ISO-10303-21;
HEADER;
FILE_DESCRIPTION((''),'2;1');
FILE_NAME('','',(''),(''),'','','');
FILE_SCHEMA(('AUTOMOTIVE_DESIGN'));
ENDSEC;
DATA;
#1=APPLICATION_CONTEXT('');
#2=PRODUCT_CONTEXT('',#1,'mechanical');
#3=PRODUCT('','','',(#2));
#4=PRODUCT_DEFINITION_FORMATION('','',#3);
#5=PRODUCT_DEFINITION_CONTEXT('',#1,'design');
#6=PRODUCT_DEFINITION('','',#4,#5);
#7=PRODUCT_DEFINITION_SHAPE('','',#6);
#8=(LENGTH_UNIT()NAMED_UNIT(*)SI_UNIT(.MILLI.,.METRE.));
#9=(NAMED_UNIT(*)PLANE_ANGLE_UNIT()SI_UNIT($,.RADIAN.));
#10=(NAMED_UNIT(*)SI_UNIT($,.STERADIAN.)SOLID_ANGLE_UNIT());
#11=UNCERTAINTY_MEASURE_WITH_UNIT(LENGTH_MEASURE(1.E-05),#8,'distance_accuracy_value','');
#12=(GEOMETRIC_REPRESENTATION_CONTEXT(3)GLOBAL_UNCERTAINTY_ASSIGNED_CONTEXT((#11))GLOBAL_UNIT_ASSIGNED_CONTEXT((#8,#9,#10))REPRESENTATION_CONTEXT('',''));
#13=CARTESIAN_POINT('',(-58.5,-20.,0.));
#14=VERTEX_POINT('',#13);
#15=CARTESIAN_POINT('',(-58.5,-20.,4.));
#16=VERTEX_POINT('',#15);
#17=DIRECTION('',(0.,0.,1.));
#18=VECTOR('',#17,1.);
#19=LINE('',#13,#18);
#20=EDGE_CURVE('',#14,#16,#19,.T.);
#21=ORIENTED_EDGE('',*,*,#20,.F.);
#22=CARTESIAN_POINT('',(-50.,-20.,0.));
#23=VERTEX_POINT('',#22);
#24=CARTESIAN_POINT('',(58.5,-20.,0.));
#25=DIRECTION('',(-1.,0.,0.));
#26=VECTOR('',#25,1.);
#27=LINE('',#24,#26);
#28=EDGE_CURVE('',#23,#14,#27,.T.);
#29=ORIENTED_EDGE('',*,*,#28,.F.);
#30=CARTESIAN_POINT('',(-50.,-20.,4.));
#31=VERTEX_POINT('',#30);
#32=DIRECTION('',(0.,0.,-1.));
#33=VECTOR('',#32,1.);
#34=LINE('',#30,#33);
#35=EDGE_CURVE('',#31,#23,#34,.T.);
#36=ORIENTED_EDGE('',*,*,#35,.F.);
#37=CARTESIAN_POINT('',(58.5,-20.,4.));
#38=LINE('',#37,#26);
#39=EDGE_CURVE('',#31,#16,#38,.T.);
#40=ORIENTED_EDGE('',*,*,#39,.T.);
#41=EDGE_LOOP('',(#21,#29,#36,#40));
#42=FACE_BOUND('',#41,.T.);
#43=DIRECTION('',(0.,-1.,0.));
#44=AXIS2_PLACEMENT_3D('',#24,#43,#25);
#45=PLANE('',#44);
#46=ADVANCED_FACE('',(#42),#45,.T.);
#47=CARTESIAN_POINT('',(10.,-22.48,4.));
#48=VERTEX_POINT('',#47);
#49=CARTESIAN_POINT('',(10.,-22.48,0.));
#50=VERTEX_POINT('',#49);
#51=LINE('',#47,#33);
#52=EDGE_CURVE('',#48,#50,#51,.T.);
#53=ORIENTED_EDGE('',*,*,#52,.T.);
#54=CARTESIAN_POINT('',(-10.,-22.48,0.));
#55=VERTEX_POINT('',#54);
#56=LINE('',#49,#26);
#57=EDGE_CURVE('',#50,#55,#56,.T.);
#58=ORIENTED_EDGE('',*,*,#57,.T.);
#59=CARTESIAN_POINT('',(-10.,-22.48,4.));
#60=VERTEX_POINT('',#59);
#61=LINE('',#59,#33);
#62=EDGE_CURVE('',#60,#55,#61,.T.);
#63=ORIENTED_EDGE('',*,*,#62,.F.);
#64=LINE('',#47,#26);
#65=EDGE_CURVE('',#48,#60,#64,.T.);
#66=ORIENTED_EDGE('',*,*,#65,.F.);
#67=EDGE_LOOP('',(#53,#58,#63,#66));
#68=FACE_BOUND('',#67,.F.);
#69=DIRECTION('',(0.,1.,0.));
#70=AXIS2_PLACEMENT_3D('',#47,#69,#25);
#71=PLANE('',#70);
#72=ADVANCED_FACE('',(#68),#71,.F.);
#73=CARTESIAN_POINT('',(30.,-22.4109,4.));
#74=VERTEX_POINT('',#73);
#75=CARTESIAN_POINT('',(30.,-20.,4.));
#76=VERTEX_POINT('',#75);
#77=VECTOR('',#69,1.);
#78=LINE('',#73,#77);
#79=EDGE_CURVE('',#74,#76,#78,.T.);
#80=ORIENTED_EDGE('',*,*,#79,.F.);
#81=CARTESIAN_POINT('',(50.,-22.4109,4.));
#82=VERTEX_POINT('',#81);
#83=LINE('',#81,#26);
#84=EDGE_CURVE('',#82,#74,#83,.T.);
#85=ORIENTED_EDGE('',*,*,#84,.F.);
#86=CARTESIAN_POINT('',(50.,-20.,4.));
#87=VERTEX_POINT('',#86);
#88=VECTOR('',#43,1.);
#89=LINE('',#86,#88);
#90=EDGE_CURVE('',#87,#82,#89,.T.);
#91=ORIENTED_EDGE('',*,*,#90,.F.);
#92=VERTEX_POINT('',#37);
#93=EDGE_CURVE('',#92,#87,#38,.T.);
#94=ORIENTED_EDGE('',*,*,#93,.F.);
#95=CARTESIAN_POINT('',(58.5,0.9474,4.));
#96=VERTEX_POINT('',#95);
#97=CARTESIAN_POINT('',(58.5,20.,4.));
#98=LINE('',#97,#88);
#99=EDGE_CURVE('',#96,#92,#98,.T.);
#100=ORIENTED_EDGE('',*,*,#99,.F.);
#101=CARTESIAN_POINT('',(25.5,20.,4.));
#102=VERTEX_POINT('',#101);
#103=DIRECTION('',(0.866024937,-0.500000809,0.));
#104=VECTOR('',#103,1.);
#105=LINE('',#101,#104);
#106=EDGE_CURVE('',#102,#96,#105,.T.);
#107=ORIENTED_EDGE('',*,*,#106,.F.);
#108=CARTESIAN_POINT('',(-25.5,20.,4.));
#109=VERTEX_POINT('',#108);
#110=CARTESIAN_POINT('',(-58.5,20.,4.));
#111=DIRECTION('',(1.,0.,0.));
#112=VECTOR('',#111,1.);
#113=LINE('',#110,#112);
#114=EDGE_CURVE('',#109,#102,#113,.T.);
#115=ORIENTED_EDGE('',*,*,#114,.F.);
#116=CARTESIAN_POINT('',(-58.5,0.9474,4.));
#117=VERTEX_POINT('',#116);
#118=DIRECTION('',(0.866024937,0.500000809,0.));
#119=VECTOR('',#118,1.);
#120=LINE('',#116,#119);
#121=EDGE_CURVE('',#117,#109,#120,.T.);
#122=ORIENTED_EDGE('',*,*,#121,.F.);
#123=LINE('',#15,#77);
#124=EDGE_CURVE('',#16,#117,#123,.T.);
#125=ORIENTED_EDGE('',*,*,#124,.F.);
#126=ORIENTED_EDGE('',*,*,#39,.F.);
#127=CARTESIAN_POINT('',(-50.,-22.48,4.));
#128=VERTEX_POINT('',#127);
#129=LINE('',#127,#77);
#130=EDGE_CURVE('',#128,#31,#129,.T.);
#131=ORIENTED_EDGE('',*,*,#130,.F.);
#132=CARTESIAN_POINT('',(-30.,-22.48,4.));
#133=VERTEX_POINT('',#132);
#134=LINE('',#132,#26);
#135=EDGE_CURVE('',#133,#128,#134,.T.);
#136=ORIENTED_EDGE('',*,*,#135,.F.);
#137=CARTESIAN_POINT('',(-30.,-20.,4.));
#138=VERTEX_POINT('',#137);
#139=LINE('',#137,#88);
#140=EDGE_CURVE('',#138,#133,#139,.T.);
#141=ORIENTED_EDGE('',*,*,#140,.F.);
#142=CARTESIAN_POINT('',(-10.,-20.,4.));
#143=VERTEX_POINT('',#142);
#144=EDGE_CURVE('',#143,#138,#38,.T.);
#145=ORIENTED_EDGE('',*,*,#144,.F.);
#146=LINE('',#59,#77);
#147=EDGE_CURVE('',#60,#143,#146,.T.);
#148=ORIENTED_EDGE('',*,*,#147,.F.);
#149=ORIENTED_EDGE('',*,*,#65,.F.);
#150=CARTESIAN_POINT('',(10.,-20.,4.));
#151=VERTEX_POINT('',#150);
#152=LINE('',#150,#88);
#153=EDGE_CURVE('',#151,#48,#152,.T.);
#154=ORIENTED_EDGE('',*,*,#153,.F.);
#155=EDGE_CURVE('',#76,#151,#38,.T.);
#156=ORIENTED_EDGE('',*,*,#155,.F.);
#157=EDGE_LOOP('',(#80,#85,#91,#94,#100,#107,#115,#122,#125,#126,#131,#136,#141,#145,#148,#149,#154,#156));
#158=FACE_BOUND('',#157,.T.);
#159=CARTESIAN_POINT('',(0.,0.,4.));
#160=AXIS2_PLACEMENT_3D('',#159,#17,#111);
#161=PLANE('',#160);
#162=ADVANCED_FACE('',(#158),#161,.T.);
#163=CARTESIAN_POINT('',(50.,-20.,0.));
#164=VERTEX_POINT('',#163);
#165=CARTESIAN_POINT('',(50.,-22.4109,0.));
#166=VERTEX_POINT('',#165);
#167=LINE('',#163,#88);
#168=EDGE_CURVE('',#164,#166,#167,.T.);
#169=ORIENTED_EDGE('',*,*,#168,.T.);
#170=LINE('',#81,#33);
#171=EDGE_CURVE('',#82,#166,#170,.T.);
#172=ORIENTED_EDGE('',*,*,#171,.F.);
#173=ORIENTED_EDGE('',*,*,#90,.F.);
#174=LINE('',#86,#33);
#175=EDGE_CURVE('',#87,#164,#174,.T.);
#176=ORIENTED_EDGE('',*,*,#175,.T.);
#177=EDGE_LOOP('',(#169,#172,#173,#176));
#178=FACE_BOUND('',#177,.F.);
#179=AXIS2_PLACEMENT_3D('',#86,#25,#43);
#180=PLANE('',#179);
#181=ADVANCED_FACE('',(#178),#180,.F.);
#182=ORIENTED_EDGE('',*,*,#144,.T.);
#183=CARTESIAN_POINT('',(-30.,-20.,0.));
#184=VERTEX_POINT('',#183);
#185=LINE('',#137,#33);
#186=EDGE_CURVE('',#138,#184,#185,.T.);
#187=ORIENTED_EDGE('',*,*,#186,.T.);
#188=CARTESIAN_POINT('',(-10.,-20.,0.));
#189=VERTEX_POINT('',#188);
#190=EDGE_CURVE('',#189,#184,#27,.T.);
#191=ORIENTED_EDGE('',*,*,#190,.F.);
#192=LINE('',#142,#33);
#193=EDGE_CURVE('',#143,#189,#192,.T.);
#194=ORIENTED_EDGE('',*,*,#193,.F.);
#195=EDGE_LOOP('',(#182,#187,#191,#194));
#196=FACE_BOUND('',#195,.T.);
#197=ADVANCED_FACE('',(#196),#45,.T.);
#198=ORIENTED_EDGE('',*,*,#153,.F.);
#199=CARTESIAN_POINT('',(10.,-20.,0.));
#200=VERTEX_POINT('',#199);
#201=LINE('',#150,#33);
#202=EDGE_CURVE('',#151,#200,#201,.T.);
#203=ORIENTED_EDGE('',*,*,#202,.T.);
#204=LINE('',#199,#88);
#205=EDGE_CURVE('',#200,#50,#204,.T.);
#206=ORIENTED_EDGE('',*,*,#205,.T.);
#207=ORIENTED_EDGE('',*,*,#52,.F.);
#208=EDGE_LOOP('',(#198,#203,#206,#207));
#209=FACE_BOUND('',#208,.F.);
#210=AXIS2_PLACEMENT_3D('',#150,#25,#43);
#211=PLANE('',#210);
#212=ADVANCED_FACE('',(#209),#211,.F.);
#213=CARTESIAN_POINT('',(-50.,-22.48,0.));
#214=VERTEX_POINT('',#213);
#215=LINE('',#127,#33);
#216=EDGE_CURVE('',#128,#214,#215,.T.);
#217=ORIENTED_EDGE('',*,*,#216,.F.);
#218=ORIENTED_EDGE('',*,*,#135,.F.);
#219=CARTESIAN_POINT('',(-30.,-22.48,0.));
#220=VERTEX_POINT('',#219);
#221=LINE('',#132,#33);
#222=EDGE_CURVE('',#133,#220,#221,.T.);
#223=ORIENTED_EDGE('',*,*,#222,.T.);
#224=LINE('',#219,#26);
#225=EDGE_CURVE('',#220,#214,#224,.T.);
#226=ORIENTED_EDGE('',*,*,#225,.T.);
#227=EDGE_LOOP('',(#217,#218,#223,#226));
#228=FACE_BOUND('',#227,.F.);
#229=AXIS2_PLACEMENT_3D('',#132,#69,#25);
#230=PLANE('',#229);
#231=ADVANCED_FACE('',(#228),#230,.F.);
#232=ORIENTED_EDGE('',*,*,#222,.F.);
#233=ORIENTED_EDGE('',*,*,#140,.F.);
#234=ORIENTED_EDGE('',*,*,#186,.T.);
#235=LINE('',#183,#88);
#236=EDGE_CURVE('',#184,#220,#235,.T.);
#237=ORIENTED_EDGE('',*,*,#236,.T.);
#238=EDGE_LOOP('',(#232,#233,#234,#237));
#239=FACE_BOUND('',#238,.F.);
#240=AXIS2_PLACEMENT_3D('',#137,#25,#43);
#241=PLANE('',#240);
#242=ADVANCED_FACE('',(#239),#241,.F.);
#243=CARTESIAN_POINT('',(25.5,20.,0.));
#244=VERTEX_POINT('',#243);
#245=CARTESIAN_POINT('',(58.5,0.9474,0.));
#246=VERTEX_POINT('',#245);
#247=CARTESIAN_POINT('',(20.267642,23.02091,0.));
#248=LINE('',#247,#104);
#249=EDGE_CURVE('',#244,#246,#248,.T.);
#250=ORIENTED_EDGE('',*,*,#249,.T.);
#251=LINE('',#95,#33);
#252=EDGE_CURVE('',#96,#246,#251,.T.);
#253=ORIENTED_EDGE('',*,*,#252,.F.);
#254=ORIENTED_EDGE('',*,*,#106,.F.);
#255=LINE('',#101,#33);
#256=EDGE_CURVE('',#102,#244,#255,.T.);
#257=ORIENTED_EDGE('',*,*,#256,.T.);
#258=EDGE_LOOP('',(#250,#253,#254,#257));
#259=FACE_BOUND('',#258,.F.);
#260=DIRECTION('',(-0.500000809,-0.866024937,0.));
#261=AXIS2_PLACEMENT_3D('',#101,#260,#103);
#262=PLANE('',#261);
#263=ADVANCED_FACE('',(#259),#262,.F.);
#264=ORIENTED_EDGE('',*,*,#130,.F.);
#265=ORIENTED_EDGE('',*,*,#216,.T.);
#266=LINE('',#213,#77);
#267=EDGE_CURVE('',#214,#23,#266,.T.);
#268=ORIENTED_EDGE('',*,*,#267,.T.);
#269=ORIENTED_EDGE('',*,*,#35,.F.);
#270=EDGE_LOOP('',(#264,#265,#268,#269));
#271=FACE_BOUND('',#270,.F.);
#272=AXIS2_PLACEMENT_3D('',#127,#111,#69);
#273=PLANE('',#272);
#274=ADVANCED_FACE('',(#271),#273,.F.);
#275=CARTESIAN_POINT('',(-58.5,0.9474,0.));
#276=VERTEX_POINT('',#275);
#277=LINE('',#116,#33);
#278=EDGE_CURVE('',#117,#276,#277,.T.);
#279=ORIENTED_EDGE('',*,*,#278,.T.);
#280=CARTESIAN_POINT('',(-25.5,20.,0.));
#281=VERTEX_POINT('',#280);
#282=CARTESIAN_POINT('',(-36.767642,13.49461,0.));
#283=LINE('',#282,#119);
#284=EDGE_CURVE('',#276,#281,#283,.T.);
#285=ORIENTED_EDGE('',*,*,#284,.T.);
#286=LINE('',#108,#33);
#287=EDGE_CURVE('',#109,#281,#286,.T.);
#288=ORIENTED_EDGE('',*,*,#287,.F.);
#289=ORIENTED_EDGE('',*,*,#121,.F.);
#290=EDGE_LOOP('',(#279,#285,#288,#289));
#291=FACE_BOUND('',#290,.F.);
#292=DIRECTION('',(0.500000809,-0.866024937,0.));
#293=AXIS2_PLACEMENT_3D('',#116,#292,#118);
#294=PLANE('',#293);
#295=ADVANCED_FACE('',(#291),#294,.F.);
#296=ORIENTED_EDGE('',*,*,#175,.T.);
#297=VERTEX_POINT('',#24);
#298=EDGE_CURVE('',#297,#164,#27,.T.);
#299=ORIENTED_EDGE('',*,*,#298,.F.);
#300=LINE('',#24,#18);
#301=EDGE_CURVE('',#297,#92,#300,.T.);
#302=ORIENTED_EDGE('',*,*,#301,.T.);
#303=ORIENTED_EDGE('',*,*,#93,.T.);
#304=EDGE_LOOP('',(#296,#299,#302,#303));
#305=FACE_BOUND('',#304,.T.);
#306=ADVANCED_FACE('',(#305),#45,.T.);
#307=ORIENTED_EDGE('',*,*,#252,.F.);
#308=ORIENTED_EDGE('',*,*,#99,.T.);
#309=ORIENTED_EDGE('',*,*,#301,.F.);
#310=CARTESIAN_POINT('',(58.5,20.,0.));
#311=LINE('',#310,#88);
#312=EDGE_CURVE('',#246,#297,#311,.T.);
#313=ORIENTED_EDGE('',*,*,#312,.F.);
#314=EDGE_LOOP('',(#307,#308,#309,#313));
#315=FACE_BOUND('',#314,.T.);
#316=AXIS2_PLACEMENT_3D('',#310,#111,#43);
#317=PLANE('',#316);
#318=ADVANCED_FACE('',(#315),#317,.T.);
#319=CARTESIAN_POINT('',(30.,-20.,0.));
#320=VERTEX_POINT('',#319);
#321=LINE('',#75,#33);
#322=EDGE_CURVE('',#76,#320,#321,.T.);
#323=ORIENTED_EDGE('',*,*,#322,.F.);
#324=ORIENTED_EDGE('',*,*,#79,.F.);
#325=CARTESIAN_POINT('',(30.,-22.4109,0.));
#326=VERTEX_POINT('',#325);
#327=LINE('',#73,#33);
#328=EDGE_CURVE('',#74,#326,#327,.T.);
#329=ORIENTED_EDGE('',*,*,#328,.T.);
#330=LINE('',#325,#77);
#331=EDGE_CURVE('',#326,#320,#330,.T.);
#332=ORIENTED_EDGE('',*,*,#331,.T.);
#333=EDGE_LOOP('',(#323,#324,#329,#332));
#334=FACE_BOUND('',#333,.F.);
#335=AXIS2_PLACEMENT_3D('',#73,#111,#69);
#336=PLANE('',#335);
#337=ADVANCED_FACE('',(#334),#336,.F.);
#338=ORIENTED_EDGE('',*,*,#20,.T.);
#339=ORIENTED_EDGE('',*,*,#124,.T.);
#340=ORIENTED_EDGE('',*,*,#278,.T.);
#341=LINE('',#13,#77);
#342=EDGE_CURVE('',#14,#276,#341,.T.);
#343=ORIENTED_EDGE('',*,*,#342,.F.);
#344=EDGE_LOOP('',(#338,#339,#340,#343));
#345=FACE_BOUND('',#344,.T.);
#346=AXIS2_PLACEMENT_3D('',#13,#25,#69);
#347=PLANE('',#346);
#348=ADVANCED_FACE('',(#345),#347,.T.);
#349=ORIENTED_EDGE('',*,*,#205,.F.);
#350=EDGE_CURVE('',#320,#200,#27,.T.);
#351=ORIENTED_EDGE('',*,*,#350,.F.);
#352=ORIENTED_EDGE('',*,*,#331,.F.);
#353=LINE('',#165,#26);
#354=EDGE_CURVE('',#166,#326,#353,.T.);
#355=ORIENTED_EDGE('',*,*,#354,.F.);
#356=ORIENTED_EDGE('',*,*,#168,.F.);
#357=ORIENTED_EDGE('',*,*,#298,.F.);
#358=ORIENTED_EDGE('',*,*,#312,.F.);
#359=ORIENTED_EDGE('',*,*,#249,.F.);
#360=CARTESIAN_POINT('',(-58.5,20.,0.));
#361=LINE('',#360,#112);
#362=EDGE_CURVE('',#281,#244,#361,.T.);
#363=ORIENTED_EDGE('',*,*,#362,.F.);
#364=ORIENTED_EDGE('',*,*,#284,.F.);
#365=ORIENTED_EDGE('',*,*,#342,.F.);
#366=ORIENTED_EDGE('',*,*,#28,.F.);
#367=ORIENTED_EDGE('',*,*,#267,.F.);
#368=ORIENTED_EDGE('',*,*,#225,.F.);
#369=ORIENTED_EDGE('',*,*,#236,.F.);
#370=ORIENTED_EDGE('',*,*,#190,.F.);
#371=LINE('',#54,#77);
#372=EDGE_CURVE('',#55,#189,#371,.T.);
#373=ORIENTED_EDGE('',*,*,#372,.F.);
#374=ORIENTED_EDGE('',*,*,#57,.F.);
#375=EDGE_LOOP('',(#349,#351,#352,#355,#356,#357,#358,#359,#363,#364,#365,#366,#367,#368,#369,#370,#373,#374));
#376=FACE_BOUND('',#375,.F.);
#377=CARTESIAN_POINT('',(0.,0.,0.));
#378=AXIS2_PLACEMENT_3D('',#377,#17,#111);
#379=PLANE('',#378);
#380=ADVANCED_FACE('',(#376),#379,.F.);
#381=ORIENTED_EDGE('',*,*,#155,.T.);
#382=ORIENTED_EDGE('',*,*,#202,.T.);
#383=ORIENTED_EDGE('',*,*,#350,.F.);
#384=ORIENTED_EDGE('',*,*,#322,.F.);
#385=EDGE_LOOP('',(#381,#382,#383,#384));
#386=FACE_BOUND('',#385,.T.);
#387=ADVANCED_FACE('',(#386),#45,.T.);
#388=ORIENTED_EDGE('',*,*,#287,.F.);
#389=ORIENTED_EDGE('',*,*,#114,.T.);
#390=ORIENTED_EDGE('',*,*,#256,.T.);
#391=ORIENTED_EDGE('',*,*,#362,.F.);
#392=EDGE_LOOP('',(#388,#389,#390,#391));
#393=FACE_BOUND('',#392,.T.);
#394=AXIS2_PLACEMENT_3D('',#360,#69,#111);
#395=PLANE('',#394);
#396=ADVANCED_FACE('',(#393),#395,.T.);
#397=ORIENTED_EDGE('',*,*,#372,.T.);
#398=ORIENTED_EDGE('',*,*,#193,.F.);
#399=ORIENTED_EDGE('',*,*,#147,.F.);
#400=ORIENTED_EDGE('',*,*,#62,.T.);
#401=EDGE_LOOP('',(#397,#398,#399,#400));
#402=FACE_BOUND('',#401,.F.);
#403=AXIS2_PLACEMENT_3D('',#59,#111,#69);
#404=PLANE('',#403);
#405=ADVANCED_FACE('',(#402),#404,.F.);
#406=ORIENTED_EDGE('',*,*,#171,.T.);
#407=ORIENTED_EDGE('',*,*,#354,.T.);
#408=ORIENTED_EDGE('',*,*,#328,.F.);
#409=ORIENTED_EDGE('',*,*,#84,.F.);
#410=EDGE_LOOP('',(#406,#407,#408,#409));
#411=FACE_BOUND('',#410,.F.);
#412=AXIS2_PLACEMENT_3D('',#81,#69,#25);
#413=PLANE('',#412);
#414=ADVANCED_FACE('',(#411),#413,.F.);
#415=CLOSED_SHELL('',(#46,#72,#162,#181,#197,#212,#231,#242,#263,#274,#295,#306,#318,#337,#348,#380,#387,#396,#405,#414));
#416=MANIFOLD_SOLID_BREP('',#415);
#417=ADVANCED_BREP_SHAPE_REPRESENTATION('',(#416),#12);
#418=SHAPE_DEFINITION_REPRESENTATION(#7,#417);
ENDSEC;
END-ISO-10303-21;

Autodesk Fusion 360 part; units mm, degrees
sketch "Boceto1" plane through (0, 0, 0) normal (0, 0, 1) x (1, 0, 0)
  line L0 (-58.5, 20) -> (58.5, 20)
  line L1 (58.5, 20) -> (58.5, -20)
  line L2 (58.5, -20) -> (-58.5, -20)
  line L3 (-58.5, -20) -> (-58.5, 20)
  line L4 (-58.5, 20) -> (58.5, -20) construction
  line L5 (58.5, 20) -> (-58.5, -20) construction
  dimension "d1" = 117
  dimension "d2" = 40
extrude "Extruir1" add sketch "Boceto1" along normal blind 4
sketch "Boceto2" plane through (0, 0, 4) normal (0, 0, 1) x (1, 0, 0)
  line L0 (-58.5, -20) -> (58.5, -20)
  line L1 (58.5, -20) -> (58.5, 20)
  line L2 (58.5, 20) -> (-58.5, 20)
  line L3 (-58.5, 20) -> (-58.5, -20)
  line L4 (-50, -20) -> (-30, -20)
  line L5 (-30, -20) -> (-30, -22.48)
  line L6 (-30, -22.48) -> (-50, -22.48)
  line L7 (-50, -22.48) -> (-50, -20)
  line L8 (-10, -20) -> (10, -20)
  line L9 (10, -20) -> (10, -22.48)
  line L10 (10, -22.48) -> (-10, -22.48)
  line L11 (-10, -22.48) -> (-10, -20)
  line L12 (30, -20) -> (50, -20)
  line L13 (50, -20) -> (50, -22.4109)
  line L14 (50, -22.4109) -> (30, -22.4109)
  line L15 (30, -22.4109) -> (30, -20)
  dimension "d5" = 8.5
  dimension "d6" = 20
  dimension "d7" = 20
  dimension "d8" = 20
  dimension "d9" = 20
  dimension "d10" = 20
  dimension "d11" = 8.5
extrude "Extruir2" add sketch "Boceto2" against normal blind 4 contours L0 L4 L5 L6 L7 | L0 L8 L9 L10 L11 | L0 L12 L13 L14 L15
sketch "Boceto3" plane through (0, 0, 4) normal (0, 0, 1) x (1, 0, 0)
  line L0 (-58.5, 0.9474) -> (-25.5, 20)
  line L1 (25.5, 20) -> (58.5, 0.9474)
  line L2 (-58.5, 20) -> (58.5, 20)
  line L3 (-58.5, 20) -> (-58.5, 0.9474)
  line L4 (-58.5, 20) -> (-25.5, 20)
  line L5 (58.5, 20) -> (58.5, 0.9474)
  point P0 (58.5, 20)
  dimension "d14" = 30
  dimension "d15" = 30
  dimension "d16" = 33
  dimension "d17" = 33
extrude "Extruir3" cut sketch "Boceto3" against normal through all
